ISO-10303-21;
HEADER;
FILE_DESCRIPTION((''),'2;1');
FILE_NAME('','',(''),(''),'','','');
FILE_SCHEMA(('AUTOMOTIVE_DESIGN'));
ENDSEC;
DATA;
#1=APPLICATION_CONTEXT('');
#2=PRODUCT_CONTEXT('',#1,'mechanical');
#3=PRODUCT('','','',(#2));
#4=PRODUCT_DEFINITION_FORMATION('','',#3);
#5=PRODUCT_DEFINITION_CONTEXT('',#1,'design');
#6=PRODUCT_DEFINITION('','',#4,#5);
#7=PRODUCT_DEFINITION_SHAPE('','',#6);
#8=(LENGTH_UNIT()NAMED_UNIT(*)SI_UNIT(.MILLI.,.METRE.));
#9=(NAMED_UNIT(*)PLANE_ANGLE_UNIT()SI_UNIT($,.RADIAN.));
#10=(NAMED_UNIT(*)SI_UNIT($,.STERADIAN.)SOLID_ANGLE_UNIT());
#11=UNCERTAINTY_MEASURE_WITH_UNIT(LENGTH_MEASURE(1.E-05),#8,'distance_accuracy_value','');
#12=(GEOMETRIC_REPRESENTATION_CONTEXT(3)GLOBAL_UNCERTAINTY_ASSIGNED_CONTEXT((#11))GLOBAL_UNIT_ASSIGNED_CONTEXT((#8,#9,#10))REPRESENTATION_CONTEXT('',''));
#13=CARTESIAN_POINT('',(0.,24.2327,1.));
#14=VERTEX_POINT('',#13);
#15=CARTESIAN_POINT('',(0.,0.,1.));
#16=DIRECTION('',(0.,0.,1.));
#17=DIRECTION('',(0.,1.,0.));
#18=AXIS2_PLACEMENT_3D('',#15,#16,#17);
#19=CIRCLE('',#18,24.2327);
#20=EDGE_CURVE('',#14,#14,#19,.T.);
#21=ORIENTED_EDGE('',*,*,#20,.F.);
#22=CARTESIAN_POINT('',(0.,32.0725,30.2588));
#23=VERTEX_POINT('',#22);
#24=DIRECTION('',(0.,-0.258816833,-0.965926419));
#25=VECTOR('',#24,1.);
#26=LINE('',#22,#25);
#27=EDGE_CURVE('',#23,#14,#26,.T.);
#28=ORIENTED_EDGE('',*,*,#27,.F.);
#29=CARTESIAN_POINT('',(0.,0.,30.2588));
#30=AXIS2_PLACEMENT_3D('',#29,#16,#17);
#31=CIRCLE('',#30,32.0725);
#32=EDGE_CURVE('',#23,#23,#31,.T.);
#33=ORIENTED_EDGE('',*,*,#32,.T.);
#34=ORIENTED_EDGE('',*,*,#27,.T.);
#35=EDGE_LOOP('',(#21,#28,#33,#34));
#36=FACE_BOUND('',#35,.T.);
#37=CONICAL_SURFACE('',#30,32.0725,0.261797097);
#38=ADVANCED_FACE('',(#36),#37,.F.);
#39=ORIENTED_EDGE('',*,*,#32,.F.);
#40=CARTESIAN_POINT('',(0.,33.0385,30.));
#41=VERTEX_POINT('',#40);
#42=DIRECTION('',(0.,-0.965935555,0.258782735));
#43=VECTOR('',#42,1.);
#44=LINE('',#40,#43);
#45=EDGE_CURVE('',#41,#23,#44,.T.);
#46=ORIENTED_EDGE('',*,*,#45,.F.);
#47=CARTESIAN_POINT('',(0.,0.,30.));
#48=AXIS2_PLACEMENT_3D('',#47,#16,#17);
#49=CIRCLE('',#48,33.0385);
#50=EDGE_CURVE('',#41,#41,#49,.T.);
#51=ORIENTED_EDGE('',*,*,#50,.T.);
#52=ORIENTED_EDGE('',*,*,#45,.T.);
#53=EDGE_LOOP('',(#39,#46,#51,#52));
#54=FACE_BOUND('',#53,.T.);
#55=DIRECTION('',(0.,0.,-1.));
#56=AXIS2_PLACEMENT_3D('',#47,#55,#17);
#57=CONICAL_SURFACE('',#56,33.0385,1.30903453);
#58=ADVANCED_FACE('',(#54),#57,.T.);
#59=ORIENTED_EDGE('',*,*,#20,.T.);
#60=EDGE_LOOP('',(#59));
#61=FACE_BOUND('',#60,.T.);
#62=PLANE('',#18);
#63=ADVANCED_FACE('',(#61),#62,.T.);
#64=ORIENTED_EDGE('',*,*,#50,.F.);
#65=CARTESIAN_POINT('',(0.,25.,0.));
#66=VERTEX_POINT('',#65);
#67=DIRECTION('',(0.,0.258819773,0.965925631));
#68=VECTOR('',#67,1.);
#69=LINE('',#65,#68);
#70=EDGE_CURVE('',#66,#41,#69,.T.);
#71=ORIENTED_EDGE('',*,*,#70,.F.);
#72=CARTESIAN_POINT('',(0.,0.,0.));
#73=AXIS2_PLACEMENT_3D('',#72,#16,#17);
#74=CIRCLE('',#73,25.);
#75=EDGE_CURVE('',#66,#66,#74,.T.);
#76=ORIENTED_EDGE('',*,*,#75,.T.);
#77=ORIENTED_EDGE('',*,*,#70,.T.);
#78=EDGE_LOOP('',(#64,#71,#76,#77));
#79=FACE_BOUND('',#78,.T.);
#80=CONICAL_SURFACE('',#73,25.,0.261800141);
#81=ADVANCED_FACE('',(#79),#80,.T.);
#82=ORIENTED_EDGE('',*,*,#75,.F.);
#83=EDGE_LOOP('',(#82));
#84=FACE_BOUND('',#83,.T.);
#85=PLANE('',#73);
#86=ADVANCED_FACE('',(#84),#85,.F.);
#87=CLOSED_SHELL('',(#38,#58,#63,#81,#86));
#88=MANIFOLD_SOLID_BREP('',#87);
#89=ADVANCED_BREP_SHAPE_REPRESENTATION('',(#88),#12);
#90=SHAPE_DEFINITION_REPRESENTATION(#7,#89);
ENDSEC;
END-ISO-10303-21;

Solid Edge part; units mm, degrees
sketch "Sketch1" plane through (0, 0, 0) normal (1, 0, 0) x (0, 1, 0)
  line L0 (0, 0) -> (25, 0)
  line L1 (25, 0) -> (33.0385, 30)
  line L2 (33.0385, 30) -> (32.0725, 30.2588)
  line L3 (32.0725, 30.2588) -> (24.2327, 1)
  line L4 (24.2327, 1) -> (0, 1)
  line L5 (0, 1) -> (0, 0)
  dimension "D1" = 1
  dimension "D2" = 1
  dimension "D3" = 25
  dimension "D4" = 30
revolve "RevolvedProtrusion1" add sketch "Sketch1" angle 360 about axis through (0, 0, 0) along (0, 0, 1)
